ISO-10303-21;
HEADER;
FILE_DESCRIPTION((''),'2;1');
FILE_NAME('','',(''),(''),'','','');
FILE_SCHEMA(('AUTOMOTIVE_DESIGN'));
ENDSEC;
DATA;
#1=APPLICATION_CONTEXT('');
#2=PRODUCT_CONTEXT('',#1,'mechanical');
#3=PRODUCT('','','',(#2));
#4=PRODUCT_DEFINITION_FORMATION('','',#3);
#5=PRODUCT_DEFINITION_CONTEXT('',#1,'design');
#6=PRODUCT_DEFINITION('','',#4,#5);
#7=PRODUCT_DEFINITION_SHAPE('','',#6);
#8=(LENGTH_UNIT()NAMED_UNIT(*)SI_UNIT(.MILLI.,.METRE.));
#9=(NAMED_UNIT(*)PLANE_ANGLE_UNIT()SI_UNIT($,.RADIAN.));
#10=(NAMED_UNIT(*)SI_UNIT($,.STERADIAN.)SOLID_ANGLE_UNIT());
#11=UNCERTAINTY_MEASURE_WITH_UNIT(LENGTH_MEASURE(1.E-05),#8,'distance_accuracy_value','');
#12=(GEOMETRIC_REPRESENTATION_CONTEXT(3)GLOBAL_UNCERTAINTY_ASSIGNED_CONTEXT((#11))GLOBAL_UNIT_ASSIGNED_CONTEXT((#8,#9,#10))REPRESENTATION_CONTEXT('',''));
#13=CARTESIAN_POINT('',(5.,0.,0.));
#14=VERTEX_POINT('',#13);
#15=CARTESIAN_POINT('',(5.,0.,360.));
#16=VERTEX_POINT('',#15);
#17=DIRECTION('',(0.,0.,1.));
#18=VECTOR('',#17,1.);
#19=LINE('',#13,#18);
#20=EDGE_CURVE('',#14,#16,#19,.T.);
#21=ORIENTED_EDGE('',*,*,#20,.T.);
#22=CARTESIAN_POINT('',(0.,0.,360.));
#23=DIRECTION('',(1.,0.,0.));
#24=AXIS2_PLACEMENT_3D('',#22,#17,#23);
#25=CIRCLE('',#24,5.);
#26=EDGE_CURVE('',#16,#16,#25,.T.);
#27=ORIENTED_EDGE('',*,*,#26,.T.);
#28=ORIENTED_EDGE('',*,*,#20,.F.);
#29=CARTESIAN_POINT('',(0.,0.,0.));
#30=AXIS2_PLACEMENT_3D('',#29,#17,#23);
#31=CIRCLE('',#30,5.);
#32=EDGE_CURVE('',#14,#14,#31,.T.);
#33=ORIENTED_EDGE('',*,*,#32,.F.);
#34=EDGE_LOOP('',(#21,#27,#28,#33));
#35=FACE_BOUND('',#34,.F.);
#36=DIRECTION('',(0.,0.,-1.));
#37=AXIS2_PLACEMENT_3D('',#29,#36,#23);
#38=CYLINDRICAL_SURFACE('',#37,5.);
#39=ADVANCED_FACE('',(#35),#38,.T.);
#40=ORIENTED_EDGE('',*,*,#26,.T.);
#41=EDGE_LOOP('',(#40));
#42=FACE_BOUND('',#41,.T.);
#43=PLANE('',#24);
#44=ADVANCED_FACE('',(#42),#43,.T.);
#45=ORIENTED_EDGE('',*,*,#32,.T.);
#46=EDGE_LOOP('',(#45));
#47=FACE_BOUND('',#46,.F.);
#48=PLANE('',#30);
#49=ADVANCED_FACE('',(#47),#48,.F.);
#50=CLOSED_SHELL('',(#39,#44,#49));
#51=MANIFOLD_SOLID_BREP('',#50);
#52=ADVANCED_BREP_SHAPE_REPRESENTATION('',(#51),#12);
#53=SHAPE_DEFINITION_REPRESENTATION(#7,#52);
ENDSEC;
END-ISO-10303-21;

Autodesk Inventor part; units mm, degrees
ref_plane "YZ Plane" through (0, 0, 0) normal (1, 0, 0) x (0, 1, 0)
ref_plane "XZ Plane" through (0, 0, 0) normal (0, 1, 0) x (-1, 0, 0)
ref_plane "XY Plane" through (0, 0, 0) normal (0, 0, 1) x (1, 0, 0)
sketch "Sketch1" plane through (0, 0, 0) normal (0, 0, 1) x (1, 0, 0)
  circle A0 centre (0, 0) radius 5
  dimension "d0" = 10
extrude "Extrusion1" add sketch "Sketch1" along normal blind 360
properties part number "Long Metal Rod"
